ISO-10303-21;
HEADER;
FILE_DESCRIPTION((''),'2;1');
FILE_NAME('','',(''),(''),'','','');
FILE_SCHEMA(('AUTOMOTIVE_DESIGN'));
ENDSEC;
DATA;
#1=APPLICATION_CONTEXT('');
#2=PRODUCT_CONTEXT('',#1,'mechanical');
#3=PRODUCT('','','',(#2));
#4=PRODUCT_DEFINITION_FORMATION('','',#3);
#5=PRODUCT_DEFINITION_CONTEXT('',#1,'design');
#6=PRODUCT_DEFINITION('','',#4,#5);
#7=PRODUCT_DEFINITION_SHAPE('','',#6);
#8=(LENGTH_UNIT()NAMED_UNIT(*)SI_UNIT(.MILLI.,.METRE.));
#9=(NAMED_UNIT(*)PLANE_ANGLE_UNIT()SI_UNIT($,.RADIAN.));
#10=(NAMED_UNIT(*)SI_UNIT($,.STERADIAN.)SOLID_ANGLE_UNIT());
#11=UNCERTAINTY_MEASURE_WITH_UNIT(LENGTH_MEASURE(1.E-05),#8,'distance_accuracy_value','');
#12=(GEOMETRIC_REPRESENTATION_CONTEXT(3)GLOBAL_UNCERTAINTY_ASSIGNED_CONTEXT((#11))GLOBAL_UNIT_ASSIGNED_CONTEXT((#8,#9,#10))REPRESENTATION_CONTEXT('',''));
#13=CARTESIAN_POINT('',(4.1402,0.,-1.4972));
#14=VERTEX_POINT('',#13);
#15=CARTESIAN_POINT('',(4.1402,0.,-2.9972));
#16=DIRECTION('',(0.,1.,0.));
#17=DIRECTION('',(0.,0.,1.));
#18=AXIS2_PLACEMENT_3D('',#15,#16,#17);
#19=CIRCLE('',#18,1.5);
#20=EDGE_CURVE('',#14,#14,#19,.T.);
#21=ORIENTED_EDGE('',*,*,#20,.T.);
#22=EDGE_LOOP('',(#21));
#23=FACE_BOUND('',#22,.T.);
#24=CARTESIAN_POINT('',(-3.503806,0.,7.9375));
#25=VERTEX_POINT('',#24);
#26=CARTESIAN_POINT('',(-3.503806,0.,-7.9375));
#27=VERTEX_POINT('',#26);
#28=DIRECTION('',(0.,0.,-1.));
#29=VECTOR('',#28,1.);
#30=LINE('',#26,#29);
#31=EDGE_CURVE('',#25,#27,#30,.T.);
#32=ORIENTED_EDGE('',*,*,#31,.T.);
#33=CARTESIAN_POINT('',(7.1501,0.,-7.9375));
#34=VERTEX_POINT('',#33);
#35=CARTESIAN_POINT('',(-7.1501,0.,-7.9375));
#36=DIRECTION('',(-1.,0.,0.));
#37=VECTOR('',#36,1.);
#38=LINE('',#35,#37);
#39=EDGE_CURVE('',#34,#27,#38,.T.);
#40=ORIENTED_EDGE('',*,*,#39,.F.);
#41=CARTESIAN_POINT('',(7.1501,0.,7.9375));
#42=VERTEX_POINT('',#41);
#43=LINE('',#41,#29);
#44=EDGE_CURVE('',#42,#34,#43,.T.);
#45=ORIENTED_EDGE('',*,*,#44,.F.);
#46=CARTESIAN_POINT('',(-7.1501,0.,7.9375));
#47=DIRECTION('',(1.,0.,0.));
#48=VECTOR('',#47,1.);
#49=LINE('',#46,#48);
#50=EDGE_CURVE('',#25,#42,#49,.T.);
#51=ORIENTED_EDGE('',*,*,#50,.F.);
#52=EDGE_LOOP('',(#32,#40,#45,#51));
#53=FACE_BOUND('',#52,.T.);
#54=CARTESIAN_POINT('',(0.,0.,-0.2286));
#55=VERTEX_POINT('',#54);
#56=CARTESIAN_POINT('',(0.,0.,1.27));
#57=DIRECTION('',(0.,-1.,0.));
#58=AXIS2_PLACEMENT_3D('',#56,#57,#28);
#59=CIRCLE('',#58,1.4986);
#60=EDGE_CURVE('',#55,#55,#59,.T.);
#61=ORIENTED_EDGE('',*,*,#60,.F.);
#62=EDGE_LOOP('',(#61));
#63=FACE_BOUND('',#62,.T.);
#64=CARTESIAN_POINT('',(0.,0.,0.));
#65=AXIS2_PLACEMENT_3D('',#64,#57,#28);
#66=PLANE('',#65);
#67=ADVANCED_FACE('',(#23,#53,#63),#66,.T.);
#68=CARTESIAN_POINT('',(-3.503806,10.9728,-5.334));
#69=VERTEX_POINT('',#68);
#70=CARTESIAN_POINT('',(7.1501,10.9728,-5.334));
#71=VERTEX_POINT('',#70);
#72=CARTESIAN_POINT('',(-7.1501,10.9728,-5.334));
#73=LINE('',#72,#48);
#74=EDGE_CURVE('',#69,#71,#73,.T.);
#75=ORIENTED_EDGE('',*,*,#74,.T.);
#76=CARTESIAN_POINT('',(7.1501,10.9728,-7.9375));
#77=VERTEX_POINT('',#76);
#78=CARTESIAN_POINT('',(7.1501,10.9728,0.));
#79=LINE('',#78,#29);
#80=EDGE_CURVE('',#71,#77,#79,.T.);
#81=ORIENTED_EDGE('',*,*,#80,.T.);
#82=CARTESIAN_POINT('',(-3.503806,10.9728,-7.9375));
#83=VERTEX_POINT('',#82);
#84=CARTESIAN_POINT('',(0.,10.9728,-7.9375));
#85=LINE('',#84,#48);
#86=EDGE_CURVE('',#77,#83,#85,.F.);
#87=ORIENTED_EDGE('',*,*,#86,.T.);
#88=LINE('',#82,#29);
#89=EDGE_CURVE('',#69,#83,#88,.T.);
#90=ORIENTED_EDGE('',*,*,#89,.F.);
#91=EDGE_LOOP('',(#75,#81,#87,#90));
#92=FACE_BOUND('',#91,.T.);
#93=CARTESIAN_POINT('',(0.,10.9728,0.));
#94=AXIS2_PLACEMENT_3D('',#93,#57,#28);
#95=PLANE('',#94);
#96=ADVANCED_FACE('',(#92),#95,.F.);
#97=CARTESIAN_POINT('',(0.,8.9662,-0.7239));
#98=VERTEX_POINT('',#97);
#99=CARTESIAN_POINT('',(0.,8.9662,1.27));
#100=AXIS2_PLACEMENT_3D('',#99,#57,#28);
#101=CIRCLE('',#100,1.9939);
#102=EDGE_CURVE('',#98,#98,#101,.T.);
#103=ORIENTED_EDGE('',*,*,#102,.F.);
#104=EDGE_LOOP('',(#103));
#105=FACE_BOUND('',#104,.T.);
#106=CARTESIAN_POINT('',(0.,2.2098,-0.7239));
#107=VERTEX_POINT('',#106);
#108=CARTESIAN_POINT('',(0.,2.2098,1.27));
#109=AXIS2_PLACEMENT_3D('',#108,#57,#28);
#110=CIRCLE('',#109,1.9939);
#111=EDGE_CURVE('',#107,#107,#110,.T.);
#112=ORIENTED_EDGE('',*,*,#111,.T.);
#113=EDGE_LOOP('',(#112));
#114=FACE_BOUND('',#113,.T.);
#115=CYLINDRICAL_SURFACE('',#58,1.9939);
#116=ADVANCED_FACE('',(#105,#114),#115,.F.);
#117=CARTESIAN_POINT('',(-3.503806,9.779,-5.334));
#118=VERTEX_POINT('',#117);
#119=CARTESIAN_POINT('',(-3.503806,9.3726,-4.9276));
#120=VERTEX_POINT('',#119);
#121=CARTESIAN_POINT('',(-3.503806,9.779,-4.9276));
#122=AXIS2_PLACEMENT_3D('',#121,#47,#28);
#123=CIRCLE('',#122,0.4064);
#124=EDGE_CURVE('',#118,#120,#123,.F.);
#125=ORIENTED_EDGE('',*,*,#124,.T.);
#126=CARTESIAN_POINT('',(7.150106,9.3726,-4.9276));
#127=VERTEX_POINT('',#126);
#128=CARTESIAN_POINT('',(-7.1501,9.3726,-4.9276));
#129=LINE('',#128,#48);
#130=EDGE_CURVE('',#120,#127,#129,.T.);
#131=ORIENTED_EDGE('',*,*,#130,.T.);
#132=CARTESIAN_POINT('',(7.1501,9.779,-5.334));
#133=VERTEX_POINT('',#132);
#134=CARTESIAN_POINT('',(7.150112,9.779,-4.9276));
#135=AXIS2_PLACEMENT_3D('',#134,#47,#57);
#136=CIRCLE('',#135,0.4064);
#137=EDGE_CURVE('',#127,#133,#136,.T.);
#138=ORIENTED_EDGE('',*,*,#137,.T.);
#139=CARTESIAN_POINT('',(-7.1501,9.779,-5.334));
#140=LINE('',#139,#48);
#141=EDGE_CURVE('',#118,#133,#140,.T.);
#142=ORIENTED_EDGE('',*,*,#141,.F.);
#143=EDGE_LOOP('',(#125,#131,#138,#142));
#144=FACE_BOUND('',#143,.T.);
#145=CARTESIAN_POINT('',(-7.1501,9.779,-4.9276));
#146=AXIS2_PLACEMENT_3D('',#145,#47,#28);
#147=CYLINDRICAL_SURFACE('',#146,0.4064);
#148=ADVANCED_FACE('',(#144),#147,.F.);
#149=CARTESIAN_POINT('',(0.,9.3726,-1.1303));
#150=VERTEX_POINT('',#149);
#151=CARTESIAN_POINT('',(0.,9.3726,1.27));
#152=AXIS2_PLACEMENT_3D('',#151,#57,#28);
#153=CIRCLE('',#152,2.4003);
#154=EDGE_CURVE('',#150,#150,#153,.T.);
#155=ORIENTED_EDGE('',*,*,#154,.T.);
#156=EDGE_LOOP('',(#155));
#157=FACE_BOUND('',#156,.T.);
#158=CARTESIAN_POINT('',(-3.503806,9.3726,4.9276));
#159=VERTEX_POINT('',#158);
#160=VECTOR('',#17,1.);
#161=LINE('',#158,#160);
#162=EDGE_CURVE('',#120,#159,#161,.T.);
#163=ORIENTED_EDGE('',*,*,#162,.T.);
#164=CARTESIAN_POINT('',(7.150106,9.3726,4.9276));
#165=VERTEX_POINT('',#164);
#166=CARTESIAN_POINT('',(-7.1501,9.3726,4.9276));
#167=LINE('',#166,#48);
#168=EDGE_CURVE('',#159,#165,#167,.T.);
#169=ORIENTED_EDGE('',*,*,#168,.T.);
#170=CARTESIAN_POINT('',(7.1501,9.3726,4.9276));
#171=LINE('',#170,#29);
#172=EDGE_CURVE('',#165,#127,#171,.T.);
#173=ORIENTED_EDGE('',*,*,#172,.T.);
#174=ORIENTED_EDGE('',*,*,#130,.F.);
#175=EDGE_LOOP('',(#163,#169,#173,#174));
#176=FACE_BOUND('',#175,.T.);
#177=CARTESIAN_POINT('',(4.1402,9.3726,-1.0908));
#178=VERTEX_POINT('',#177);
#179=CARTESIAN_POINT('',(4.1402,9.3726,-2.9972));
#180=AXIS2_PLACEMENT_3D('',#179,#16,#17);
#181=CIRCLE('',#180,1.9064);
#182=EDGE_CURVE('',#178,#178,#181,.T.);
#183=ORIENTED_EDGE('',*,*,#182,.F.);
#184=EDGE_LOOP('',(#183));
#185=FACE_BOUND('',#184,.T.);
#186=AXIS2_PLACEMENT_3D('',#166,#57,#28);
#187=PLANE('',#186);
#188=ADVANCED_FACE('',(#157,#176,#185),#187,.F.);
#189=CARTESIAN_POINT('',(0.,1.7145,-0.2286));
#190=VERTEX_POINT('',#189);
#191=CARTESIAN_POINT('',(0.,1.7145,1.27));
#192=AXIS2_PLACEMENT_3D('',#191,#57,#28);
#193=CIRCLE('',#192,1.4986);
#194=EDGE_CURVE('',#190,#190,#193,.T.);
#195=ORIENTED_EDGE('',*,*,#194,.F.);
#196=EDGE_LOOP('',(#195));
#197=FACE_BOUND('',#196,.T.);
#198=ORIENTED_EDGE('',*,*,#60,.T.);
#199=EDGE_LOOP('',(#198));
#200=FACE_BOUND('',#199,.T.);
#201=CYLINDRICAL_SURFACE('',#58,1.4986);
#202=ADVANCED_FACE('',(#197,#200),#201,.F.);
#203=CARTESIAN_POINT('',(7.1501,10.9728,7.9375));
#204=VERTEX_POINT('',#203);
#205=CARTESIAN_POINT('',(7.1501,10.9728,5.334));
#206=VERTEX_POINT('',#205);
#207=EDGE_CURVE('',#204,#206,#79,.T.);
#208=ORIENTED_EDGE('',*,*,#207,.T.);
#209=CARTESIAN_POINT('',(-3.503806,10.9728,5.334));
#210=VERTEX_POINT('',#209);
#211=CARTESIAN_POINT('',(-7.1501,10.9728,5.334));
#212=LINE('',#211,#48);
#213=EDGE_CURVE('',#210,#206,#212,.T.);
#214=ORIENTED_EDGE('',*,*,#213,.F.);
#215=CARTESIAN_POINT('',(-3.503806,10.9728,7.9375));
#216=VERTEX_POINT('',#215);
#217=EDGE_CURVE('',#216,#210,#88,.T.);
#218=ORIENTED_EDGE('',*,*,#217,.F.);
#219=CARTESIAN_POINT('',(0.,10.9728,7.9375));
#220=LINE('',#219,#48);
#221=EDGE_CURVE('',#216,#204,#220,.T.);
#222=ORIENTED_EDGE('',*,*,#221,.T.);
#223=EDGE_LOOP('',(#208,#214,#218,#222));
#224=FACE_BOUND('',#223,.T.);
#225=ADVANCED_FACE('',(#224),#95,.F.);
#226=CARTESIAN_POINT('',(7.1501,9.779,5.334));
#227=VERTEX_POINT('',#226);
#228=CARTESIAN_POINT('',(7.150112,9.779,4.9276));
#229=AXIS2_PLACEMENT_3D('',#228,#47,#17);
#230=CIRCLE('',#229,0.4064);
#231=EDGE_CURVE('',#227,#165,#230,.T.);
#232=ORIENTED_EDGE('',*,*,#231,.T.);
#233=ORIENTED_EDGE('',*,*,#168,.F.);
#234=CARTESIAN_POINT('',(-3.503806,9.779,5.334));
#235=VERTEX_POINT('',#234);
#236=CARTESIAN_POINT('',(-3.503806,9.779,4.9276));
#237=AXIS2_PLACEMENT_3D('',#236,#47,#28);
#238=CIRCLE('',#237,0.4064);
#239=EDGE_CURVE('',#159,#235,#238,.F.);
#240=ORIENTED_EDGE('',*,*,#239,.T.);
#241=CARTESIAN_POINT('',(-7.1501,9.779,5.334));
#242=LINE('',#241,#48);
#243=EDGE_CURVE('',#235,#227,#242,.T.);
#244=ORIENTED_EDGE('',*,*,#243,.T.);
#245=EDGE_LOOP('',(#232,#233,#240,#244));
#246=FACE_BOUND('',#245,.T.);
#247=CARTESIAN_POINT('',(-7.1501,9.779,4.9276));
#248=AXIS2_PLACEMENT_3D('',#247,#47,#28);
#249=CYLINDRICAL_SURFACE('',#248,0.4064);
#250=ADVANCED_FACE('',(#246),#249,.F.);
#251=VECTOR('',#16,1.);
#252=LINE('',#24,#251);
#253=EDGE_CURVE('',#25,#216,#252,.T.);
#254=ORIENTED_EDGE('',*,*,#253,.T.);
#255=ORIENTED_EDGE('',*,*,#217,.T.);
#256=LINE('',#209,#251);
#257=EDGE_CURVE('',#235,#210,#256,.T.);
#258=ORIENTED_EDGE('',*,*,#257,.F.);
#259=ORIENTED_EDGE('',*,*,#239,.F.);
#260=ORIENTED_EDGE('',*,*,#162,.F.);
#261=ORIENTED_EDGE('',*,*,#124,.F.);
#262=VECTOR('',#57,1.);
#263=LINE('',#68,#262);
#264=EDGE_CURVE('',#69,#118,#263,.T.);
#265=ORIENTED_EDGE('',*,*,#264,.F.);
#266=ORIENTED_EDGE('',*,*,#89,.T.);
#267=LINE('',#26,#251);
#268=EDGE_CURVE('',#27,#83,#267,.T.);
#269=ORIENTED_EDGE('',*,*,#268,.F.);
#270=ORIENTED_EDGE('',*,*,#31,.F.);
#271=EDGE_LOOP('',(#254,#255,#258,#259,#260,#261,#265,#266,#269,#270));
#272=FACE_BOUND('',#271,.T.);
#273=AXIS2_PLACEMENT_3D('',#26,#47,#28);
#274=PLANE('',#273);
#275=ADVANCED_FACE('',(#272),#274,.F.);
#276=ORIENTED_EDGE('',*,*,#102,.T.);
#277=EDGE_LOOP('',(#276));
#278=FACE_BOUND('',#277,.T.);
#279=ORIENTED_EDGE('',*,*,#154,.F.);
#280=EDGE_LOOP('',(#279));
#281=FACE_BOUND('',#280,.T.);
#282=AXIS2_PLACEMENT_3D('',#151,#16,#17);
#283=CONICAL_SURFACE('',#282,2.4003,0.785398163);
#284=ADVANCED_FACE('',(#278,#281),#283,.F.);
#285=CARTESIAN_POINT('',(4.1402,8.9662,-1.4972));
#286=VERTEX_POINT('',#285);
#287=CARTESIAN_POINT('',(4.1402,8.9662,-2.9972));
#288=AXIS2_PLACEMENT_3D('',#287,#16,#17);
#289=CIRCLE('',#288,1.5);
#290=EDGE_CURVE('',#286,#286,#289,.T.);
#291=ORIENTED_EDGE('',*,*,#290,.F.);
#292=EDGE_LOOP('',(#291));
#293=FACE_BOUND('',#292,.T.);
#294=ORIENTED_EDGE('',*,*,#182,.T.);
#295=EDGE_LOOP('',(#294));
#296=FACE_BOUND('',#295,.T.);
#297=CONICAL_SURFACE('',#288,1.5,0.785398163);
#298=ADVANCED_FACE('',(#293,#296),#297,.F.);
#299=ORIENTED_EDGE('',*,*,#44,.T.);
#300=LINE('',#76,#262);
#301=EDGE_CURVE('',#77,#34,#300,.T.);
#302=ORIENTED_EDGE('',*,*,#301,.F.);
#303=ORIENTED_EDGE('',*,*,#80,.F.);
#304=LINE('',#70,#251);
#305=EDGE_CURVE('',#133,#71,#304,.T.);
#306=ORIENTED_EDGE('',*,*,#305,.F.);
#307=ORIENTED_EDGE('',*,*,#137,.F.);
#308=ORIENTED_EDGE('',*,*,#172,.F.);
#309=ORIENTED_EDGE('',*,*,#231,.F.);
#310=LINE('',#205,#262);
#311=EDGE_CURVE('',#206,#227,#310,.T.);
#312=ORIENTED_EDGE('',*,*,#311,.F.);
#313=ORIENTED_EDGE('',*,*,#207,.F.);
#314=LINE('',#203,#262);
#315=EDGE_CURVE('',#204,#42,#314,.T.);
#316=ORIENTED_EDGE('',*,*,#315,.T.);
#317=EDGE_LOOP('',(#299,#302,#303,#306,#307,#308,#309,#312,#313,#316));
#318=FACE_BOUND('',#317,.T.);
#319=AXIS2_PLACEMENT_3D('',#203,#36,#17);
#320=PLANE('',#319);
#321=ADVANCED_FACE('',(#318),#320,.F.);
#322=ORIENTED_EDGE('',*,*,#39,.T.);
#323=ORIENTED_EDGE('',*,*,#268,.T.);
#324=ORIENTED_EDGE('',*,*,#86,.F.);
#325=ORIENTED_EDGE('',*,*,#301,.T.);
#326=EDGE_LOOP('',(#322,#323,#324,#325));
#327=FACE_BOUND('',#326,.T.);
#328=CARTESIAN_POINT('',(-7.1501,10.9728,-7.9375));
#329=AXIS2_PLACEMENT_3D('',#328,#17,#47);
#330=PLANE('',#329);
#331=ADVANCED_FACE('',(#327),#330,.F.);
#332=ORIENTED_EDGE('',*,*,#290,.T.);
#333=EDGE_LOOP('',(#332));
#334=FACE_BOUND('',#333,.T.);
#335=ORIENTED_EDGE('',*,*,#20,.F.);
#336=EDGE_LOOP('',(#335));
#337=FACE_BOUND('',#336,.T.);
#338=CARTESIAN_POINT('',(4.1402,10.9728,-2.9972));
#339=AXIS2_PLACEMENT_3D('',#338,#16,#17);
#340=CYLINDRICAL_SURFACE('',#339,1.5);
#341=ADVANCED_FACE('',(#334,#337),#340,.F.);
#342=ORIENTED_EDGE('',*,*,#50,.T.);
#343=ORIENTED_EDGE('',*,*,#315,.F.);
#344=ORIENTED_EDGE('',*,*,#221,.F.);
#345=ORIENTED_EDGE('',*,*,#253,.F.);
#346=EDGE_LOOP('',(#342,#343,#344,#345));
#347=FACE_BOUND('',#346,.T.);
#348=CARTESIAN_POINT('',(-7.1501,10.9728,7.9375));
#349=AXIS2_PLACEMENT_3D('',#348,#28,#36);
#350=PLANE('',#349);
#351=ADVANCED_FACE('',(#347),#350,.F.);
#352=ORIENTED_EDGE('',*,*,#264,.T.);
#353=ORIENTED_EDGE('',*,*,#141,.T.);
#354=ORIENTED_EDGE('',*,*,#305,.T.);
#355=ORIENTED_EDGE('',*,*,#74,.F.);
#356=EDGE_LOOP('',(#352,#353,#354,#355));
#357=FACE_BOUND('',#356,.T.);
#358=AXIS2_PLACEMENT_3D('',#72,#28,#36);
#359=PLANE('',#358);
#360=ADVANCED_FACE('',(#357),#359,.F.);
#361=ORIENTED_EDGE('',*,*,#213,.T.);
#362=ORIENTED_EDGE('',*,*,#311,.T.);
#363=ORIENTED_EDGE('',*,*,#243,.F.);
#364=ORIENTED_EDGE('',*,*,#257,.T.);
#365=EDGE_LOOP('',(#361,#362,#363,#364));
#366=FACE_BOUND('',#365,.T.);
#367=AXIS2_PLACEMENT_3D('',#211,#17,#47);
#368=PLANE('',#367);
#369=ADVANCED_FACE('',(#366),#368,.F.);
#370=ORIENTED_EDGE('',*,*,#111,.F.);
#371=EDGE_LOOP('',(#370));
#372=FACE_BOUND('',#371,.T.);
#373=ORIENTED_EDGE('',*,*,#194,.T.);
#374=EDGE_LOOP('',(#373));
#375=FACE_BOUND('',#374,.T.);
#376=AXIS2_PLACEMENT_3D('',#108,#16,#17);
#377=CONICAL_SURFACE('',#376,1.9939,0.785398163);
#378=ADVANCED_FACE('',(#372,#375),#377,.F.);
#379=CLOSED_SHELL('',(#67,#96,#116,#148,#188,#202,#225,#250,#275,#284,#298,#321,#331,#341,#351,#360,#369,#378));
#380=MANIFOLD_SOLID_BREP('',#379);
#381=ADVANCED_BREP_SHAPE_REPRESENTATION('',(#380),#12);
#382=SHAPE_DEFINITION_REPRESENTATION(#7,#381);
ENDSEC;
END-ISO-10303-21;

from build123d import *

# Parameters (mm, degrees)
SKETCH1_W               = 14.3002
SKETCH1_H               = 15.875
BOSS_EXTRUDE1_DEPTH     = 10.9728
CUT_EXTRUDE1_DEPTH      = 20.695226989
CUT_EXTRUDE1_DEPTH_BACK = 20.695226989
CUT_EXTRUDE2_DEPTH      = 16.314378084
CUT_EXTRUDE2_DEPTH_BACK = 16.314378084
SKETCH6_W               = 3.646294
SKETCH6_H               = 15.875


with BuildPart() as part:
    # Sketch1 → Boss-Extrude1 (new body)
    with BuildSketch(Plane(origin=(0, 0, 0), x_dir=(1, 0, 0), z_dir=(0, 1, 0))):
        Rectangle(SKETCH1_W, SKETCH1_H)
    extrude(amount=BOSS_EXTRUDE1_DEPTH)

    # Sketch5 → Cut-Extrude1 (cut, two sides: drawn at the far end of the back side and taken through both)
    with BuildSketch(Plane(origin=(7.1501, 0, 0), x_dir=(0, 0, -1), z_dir=(1, 0, 0)).offset(-CUT_EXTRUDE1_DEPTH_BACK)):
        with BuildLine():
            Line((-5.334, 10.9728), (5.334, 10.9728))
            Line((5.334, 10.9728), (5.334, 9.779))
            ThreePointArc((5.334, 9.779), (5.214968196, 9.491631804), (4.9276, 9.3726))
            Line((4.9276, 9.3726), (-4.9276, 9.3726))
            ThreePointArc((-4.9276, 9.3726), (-5.214968196, 9.491631804), (-5.334, 9.779))
            Line((-5.334, 9.779), (-5.334, 10.9728))
        make_face()
    extrude(amount=CUT_EXTRUDE1_DEPTH + CUT_EXTRUDE1_DEPTH_BACK, mode=Mode.SUBTRACT)

    # Sketch3 → Cut-Revolve1 (revolve, cut)
    with BuildSketch(Plane(origin=(0, 0, 0), x_dir=(0, 0, -1), z_dir=(1, 0, 0)), mode=Mode.PRIVATE) as cut_revolve1_sk:
        Polygon((-3.6703, 9.3726), (-3.2639, 8.9662), (-3.2639, 2.2098), (-2.7686, 1.7145), (-2.7686, 0), (-1.27, 0), (-1.27, 9.3726), align=None)
    revolve(cut_revolve1_sk.sketch.rotate(Axis((0, 0, 1.27), (0, 1, 0)), 180), axis=Axis((0, 0, 1.27), (0, 1, 0)), mode=Mode.SUBTRACT)

    # Sketch4 → Cut-Revolve2 (revolve, cut)
    with BuildSketch(Plane(origin=(4.1402, 0, 0), x_dir=(0, 0, -1), z_dir=(1, 0, 0)), mode=Mode.PRIVATE) as cut_revolve2_sk:
        Polygon((2.9972, 10.9728), (2.9972, 0), (4.4972, 0), (4.4972, 8.9662), (4.9036, 9.3726), (4.9036, 10.9728), align=None)
    revolve(cut_revolve2_sk.sketch.rotate(Axis((4.1402, 10.9728, -2.9972), (0, -1, 0)), 180), axis=Axis((4.1402, 10.9728, -2.9972), (0, -1, 0)), mode=Mode.SUBTRACT)

    # Sketch6 → Cut-Extrude2 (cut, two sides: drawn at the far end of the back side and taken through both)
    with BuildSketch(Plane(origin=(0, 10.9728, 0), x_dir=(1, 0, 0), z_dir=(0, 1, 0)).offset(-CUT_EXTRUDE2_DEPTH_BACK)):
        with Locations((-5.326953, 0)):
            Rectangle(SKETCH6_W, SKETCH6_H)
    extrude(amount=CUT_EXTRUDE2_DEPTH + CUT_EXTRUDE2_DEPTH_BACK, mode=Mode.SUBTRACT)


solid = part.part
